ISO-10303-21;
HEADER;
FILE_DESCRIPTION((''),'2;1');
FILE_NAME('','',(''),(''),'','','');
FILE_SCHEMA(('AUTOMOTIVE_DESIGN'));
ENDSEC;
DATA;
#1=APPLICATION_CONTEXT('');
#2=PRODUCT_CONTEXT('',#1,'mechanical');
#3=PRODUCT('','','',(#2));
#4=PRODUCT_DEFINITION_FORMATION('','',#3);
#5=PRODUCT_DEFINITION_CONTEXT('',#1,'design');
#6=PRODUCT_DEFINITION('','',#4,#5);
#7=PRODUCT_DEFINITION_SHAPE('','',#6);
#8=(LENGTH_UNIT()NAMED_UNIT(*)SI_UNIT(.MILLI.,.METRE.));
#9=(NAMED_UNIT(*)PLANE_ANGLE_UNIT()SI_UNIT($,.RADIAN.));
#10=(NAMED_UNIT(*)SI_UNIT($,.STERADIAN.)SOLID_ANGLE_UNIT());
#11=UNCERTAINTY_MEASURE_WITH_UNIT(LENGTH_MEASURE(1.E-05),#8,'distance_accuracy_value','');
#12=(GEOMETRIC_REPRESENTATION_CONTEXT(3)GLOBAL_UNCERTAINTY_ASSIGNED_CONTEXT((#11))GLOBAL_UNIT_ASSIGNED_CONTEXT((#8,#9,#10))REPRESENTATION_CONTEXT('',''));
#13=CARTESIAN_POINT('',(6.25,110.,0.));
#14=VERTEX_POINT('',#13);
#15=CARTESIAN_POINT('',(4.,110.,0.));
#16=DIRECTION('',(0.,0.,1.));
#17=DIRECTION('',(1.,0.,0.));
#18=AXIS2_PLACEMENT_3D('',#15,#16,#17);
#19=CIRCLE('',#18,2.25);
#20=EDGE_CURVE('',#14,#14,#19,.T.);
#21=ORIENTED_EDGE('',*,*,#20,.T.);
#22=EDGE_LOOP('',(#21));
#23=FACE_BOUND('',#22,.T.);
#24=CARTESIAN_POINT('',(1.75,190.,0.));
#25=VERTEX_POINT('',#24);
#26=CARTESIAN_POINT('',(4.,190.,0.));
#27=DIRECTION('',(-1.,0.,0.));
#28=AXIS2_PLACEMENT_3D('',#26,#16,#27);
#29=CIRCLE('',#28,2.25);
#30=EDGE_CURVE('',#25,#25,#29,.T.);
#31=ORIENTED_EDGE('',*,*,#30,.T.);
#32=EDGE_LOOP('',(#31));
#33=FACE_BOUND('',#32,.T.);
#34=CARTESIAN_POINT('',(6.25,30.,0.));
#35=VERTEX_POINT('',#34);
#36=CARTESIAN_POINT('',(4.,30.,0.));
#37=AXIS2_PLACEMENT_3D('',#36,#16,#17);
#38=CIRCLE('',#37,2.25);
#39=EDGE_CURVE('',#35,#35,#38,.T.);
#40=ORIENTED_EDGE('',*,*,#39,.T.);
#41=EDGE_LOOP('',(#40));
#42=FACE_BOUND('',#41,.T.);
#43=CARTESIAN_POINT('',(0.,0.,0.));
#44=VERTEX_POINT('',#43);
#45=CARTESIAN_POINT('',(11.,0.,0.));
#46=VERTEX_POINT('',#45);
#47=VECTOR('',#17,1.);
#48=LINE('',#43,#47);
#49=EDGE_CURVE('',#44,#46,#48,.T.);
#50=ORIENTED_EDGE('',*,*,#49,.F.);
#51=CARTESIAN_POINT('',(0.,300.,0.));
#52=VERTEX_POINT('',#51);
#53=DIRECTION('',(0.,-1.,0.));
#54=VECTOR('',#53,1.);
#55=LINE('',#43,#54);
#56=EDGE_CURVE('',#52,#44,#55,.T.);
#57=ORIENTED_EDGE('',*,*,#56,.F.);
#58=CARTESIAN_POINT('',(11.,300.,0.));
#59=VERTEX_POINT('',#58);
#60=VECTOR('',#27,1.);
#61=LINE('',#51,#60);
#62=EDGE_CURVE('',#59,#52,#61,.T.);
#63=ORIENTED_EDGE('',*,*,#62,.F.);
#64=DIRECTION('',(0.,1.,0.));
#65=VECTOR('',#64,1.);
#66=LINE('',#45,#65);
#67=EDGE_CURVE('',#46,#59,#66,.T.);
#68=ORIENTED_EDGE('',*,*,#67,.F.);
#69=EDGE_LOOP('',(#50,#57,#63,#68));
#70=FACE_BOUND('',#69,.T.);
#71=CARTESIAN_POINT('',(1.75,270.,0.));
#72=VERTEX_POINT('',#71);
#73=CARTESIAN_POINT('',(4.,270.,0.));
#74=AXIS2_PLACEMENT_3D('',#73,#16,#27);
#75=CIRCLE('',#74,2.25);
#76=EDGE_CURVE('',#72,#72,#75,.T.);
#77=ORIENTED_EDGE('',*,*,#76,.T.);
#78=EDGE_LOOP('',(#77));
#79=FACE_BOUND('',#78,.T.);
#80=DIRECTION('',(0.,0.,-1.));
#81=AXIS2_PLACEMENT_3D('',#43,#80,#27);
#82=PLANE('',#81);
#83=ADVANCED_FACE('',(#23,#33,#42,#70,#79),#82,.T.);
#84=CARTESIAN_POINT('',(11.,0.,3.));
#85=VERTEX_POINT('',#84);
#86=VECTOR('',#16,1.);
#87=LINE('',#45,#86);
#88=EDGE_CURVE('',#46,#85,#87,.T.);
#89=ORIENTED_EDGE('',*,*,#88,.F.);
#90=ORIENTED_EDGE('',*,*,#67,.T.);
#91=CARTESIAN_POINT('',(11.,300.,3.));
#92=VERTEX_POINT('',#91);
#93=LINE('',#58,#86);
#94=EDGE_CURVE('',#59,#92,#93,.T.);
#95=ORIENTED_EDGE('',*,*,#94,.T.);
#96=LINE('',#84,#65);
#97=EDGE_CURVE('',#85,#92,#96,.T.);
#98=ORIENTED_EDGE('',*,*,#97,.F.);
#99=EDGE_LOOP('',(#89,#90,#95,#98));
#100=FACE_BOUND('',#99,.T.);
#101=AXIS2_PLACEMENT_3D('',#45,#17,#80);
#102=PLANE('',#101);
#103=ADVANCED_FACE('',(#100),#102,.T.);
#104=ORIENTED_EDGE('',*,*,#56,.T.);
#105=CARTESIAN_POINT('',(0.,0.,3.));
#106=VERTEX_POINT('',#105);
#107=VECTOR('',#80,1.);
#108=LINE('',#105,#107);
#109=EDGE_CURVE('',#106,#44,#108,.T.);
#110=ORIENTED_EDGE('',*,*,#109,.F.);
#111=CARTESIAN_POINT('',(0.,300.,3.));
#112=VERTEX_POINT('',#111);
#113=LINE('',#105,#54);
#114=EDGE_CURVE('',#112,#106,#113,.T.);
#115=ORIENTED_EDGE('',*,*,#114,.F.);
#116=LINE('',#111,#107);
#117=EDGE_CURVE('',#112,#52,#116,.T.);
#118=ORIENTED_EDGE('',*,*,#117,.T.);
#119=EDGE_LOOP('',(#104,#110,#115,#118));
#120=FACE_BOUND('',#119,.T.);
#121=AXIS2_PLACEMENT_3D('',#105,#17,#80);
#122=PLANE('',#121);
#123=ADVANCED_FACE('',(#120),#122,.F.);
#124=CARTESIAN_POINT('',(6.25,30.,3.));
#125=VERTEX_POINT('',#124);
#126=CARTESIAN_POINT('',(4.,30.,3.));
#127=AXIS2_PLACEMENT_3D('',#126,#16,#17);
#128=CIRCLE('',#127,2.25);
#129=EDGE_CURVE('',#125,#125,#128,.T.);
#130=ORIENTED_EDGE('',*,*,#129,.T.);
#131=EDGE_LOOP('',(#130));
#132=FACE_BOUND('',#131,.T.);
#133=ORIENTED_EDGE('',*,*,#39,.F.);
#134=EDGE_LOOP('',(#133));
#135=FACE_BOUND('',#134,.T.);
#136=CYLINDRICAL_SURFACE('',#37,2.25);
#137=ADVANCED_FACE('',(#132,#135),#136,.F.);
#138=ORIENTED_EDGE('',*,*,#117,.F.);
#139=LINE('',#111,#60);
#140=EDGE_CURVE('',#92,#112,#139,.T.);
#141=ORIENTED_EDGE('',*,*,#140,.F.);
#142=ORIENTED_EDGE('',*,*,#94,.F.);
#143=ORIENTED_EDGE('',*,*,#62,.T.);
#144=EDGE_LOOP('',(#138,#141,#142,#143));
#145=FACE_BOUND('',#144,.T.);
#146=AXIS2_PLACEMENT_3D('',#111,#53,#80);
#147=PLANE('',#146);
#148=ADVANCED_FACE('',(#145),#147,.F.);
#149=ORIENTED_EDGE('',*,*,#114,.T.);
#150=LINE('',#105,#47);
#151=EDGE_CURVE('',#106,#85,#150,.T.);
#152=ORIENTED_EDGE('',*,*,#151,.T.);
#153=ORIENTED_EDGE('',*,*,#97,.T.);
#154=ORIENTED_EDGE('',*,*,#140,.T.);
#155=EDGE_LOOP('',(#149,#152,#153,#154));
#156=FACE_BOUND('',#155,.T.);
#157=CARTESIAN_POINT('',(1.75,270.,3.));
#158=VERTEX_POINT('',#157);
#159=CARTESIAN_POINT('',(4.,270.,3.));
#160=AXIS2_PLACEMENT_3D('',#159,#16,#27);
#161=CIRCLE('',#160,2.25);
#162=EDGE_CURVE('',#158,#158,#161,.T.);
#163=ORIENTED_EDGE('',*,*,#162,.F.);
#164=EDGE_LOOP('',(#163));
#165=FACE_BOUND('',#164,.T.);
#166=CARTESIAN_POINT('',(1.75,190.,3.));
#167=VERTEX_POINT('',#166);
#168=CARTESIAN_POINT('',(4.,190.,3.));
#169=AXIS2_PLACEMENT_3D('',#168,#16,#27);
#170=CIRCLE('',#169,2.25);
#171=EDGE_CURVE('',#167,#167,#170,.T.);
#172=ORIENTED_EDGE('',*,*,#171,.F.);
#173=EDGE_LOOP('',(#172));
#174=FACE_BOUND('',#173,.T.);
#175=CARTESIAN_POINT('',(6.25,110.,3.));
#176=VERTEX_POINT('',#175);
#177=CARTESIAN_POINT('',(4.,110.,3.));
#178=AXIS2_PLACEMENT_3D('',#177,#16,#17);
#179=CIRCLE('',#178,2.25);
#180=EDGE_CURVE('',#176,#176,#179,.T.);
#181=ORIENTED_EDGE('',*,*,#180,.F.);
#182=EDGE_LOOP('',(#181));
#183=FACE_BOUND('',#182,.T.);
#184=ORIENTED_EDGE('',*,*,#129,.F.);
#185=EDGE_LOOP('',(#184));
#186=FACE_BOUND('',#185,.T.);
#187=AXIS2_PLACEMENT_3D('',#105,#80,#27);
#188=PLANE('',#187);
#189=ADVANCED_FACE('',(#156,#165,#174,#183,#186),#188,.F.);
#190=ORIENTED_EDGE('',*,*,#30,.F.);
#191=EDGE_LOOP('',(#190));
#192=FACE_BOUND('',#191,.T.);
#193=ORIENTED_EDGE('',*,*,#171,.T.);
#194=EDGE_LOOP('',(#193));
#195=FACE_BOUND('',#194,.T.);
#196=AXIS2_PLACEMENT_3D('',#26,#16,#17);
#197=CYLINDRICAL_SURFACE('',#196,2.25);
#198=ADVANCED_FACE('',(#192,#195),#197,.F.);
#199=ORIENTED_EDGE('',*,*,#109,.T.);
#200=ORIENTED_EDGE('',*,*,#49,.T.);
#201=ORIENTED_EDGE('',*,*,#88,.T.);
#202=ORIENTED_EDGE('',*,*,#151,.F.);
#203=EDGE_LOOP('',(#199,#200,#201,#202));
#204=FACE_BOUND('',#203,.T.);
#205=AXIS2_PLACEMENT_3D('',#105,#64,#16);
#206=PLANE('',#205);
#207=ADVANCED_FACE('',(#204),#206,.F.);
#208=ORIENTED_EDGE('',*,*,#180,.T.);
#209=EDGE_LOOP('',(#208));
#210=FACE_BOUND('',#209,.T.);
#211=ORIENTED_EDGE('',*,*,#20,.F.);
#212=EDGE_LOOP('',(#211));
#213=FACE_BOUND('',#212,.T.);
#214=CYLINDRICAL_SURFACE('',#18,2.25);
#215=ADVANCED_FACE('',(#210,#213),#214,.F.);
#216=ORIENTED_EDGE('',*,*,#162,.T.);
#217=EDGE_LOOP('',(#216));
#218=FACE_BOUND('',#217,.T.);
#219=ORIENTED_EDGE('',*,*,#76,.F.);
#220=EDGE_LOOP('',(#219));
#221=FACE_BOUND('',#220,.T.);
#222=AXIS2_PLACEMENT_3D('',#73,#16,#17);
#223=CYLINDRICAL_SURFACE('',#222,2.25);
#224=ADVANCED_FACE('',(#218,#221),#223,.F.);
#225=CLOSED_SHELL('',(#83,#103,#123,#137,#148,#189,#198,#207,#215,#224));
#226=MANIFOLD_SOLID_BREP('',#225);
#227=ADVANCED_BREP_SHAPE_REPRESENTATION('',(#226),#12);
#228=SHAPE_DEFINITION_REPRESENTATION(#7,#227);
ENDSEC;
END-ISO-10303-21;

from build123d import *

# Parameters (mm, degrees)
ESQUISSE1_W             = 8
ESQUISSE1_H             = 300
BOSS_EXTRU_1_DEPTH      = 3
ESQUISSE2_R             = 2.25
ENL_V_MAT_EXTRU_1_DEPTH = 301.121642005
ESQUISSE4_W             = 3
ESQUISSE4_H             = 300
BOSS_EXTRU_2_DEPTH      = 3


with BuildPart() as part:
    # Esquisse1 → Boss.-Extru.1 (new body)
    with BuildSketch(Plane.XY):
        with Locations((4, 150)):
            Rectangle(ESQUISSE1_W, ESQUISSE1_H)
    extrude(amount=BOSS_EXTRU_1_DEPTH)

    # Esquisse2 → Enlèv. mat.-Extru.1 (cut, through all)
    with BuildSketch(Plane.XY.offset(3)):
        with Locations((4, 110)):
            Circle(ESQUISSE2_R)
        with Locations((4, 30)):
            Circle(ESQUISSE2_R)
        with Locations(Location((4, 270, 0), (0, 0, 180))):
            Circle(ESQUISSE2_R)
        with Locations(Location((4, 190, 0), (0, 0, 180))):
            Circle(ESQUISSE2_R)
    extrude(amount=-ENL_V_MAT_EXTRU_1_DEPTH, mode=Mode.SUBTRACT)

    # Esquisse4 → Boss.-Extru.2 (add)
    with BuildSketch(Plane.XY.offset(3)):
        with Locations((9.5, 150)):
            Rectangle(ESQUISSE4_W, ESQUISSE4_H)
    extrude(amount=-BOSS_EXTRU_2_DEPTH)


solid = part.part
